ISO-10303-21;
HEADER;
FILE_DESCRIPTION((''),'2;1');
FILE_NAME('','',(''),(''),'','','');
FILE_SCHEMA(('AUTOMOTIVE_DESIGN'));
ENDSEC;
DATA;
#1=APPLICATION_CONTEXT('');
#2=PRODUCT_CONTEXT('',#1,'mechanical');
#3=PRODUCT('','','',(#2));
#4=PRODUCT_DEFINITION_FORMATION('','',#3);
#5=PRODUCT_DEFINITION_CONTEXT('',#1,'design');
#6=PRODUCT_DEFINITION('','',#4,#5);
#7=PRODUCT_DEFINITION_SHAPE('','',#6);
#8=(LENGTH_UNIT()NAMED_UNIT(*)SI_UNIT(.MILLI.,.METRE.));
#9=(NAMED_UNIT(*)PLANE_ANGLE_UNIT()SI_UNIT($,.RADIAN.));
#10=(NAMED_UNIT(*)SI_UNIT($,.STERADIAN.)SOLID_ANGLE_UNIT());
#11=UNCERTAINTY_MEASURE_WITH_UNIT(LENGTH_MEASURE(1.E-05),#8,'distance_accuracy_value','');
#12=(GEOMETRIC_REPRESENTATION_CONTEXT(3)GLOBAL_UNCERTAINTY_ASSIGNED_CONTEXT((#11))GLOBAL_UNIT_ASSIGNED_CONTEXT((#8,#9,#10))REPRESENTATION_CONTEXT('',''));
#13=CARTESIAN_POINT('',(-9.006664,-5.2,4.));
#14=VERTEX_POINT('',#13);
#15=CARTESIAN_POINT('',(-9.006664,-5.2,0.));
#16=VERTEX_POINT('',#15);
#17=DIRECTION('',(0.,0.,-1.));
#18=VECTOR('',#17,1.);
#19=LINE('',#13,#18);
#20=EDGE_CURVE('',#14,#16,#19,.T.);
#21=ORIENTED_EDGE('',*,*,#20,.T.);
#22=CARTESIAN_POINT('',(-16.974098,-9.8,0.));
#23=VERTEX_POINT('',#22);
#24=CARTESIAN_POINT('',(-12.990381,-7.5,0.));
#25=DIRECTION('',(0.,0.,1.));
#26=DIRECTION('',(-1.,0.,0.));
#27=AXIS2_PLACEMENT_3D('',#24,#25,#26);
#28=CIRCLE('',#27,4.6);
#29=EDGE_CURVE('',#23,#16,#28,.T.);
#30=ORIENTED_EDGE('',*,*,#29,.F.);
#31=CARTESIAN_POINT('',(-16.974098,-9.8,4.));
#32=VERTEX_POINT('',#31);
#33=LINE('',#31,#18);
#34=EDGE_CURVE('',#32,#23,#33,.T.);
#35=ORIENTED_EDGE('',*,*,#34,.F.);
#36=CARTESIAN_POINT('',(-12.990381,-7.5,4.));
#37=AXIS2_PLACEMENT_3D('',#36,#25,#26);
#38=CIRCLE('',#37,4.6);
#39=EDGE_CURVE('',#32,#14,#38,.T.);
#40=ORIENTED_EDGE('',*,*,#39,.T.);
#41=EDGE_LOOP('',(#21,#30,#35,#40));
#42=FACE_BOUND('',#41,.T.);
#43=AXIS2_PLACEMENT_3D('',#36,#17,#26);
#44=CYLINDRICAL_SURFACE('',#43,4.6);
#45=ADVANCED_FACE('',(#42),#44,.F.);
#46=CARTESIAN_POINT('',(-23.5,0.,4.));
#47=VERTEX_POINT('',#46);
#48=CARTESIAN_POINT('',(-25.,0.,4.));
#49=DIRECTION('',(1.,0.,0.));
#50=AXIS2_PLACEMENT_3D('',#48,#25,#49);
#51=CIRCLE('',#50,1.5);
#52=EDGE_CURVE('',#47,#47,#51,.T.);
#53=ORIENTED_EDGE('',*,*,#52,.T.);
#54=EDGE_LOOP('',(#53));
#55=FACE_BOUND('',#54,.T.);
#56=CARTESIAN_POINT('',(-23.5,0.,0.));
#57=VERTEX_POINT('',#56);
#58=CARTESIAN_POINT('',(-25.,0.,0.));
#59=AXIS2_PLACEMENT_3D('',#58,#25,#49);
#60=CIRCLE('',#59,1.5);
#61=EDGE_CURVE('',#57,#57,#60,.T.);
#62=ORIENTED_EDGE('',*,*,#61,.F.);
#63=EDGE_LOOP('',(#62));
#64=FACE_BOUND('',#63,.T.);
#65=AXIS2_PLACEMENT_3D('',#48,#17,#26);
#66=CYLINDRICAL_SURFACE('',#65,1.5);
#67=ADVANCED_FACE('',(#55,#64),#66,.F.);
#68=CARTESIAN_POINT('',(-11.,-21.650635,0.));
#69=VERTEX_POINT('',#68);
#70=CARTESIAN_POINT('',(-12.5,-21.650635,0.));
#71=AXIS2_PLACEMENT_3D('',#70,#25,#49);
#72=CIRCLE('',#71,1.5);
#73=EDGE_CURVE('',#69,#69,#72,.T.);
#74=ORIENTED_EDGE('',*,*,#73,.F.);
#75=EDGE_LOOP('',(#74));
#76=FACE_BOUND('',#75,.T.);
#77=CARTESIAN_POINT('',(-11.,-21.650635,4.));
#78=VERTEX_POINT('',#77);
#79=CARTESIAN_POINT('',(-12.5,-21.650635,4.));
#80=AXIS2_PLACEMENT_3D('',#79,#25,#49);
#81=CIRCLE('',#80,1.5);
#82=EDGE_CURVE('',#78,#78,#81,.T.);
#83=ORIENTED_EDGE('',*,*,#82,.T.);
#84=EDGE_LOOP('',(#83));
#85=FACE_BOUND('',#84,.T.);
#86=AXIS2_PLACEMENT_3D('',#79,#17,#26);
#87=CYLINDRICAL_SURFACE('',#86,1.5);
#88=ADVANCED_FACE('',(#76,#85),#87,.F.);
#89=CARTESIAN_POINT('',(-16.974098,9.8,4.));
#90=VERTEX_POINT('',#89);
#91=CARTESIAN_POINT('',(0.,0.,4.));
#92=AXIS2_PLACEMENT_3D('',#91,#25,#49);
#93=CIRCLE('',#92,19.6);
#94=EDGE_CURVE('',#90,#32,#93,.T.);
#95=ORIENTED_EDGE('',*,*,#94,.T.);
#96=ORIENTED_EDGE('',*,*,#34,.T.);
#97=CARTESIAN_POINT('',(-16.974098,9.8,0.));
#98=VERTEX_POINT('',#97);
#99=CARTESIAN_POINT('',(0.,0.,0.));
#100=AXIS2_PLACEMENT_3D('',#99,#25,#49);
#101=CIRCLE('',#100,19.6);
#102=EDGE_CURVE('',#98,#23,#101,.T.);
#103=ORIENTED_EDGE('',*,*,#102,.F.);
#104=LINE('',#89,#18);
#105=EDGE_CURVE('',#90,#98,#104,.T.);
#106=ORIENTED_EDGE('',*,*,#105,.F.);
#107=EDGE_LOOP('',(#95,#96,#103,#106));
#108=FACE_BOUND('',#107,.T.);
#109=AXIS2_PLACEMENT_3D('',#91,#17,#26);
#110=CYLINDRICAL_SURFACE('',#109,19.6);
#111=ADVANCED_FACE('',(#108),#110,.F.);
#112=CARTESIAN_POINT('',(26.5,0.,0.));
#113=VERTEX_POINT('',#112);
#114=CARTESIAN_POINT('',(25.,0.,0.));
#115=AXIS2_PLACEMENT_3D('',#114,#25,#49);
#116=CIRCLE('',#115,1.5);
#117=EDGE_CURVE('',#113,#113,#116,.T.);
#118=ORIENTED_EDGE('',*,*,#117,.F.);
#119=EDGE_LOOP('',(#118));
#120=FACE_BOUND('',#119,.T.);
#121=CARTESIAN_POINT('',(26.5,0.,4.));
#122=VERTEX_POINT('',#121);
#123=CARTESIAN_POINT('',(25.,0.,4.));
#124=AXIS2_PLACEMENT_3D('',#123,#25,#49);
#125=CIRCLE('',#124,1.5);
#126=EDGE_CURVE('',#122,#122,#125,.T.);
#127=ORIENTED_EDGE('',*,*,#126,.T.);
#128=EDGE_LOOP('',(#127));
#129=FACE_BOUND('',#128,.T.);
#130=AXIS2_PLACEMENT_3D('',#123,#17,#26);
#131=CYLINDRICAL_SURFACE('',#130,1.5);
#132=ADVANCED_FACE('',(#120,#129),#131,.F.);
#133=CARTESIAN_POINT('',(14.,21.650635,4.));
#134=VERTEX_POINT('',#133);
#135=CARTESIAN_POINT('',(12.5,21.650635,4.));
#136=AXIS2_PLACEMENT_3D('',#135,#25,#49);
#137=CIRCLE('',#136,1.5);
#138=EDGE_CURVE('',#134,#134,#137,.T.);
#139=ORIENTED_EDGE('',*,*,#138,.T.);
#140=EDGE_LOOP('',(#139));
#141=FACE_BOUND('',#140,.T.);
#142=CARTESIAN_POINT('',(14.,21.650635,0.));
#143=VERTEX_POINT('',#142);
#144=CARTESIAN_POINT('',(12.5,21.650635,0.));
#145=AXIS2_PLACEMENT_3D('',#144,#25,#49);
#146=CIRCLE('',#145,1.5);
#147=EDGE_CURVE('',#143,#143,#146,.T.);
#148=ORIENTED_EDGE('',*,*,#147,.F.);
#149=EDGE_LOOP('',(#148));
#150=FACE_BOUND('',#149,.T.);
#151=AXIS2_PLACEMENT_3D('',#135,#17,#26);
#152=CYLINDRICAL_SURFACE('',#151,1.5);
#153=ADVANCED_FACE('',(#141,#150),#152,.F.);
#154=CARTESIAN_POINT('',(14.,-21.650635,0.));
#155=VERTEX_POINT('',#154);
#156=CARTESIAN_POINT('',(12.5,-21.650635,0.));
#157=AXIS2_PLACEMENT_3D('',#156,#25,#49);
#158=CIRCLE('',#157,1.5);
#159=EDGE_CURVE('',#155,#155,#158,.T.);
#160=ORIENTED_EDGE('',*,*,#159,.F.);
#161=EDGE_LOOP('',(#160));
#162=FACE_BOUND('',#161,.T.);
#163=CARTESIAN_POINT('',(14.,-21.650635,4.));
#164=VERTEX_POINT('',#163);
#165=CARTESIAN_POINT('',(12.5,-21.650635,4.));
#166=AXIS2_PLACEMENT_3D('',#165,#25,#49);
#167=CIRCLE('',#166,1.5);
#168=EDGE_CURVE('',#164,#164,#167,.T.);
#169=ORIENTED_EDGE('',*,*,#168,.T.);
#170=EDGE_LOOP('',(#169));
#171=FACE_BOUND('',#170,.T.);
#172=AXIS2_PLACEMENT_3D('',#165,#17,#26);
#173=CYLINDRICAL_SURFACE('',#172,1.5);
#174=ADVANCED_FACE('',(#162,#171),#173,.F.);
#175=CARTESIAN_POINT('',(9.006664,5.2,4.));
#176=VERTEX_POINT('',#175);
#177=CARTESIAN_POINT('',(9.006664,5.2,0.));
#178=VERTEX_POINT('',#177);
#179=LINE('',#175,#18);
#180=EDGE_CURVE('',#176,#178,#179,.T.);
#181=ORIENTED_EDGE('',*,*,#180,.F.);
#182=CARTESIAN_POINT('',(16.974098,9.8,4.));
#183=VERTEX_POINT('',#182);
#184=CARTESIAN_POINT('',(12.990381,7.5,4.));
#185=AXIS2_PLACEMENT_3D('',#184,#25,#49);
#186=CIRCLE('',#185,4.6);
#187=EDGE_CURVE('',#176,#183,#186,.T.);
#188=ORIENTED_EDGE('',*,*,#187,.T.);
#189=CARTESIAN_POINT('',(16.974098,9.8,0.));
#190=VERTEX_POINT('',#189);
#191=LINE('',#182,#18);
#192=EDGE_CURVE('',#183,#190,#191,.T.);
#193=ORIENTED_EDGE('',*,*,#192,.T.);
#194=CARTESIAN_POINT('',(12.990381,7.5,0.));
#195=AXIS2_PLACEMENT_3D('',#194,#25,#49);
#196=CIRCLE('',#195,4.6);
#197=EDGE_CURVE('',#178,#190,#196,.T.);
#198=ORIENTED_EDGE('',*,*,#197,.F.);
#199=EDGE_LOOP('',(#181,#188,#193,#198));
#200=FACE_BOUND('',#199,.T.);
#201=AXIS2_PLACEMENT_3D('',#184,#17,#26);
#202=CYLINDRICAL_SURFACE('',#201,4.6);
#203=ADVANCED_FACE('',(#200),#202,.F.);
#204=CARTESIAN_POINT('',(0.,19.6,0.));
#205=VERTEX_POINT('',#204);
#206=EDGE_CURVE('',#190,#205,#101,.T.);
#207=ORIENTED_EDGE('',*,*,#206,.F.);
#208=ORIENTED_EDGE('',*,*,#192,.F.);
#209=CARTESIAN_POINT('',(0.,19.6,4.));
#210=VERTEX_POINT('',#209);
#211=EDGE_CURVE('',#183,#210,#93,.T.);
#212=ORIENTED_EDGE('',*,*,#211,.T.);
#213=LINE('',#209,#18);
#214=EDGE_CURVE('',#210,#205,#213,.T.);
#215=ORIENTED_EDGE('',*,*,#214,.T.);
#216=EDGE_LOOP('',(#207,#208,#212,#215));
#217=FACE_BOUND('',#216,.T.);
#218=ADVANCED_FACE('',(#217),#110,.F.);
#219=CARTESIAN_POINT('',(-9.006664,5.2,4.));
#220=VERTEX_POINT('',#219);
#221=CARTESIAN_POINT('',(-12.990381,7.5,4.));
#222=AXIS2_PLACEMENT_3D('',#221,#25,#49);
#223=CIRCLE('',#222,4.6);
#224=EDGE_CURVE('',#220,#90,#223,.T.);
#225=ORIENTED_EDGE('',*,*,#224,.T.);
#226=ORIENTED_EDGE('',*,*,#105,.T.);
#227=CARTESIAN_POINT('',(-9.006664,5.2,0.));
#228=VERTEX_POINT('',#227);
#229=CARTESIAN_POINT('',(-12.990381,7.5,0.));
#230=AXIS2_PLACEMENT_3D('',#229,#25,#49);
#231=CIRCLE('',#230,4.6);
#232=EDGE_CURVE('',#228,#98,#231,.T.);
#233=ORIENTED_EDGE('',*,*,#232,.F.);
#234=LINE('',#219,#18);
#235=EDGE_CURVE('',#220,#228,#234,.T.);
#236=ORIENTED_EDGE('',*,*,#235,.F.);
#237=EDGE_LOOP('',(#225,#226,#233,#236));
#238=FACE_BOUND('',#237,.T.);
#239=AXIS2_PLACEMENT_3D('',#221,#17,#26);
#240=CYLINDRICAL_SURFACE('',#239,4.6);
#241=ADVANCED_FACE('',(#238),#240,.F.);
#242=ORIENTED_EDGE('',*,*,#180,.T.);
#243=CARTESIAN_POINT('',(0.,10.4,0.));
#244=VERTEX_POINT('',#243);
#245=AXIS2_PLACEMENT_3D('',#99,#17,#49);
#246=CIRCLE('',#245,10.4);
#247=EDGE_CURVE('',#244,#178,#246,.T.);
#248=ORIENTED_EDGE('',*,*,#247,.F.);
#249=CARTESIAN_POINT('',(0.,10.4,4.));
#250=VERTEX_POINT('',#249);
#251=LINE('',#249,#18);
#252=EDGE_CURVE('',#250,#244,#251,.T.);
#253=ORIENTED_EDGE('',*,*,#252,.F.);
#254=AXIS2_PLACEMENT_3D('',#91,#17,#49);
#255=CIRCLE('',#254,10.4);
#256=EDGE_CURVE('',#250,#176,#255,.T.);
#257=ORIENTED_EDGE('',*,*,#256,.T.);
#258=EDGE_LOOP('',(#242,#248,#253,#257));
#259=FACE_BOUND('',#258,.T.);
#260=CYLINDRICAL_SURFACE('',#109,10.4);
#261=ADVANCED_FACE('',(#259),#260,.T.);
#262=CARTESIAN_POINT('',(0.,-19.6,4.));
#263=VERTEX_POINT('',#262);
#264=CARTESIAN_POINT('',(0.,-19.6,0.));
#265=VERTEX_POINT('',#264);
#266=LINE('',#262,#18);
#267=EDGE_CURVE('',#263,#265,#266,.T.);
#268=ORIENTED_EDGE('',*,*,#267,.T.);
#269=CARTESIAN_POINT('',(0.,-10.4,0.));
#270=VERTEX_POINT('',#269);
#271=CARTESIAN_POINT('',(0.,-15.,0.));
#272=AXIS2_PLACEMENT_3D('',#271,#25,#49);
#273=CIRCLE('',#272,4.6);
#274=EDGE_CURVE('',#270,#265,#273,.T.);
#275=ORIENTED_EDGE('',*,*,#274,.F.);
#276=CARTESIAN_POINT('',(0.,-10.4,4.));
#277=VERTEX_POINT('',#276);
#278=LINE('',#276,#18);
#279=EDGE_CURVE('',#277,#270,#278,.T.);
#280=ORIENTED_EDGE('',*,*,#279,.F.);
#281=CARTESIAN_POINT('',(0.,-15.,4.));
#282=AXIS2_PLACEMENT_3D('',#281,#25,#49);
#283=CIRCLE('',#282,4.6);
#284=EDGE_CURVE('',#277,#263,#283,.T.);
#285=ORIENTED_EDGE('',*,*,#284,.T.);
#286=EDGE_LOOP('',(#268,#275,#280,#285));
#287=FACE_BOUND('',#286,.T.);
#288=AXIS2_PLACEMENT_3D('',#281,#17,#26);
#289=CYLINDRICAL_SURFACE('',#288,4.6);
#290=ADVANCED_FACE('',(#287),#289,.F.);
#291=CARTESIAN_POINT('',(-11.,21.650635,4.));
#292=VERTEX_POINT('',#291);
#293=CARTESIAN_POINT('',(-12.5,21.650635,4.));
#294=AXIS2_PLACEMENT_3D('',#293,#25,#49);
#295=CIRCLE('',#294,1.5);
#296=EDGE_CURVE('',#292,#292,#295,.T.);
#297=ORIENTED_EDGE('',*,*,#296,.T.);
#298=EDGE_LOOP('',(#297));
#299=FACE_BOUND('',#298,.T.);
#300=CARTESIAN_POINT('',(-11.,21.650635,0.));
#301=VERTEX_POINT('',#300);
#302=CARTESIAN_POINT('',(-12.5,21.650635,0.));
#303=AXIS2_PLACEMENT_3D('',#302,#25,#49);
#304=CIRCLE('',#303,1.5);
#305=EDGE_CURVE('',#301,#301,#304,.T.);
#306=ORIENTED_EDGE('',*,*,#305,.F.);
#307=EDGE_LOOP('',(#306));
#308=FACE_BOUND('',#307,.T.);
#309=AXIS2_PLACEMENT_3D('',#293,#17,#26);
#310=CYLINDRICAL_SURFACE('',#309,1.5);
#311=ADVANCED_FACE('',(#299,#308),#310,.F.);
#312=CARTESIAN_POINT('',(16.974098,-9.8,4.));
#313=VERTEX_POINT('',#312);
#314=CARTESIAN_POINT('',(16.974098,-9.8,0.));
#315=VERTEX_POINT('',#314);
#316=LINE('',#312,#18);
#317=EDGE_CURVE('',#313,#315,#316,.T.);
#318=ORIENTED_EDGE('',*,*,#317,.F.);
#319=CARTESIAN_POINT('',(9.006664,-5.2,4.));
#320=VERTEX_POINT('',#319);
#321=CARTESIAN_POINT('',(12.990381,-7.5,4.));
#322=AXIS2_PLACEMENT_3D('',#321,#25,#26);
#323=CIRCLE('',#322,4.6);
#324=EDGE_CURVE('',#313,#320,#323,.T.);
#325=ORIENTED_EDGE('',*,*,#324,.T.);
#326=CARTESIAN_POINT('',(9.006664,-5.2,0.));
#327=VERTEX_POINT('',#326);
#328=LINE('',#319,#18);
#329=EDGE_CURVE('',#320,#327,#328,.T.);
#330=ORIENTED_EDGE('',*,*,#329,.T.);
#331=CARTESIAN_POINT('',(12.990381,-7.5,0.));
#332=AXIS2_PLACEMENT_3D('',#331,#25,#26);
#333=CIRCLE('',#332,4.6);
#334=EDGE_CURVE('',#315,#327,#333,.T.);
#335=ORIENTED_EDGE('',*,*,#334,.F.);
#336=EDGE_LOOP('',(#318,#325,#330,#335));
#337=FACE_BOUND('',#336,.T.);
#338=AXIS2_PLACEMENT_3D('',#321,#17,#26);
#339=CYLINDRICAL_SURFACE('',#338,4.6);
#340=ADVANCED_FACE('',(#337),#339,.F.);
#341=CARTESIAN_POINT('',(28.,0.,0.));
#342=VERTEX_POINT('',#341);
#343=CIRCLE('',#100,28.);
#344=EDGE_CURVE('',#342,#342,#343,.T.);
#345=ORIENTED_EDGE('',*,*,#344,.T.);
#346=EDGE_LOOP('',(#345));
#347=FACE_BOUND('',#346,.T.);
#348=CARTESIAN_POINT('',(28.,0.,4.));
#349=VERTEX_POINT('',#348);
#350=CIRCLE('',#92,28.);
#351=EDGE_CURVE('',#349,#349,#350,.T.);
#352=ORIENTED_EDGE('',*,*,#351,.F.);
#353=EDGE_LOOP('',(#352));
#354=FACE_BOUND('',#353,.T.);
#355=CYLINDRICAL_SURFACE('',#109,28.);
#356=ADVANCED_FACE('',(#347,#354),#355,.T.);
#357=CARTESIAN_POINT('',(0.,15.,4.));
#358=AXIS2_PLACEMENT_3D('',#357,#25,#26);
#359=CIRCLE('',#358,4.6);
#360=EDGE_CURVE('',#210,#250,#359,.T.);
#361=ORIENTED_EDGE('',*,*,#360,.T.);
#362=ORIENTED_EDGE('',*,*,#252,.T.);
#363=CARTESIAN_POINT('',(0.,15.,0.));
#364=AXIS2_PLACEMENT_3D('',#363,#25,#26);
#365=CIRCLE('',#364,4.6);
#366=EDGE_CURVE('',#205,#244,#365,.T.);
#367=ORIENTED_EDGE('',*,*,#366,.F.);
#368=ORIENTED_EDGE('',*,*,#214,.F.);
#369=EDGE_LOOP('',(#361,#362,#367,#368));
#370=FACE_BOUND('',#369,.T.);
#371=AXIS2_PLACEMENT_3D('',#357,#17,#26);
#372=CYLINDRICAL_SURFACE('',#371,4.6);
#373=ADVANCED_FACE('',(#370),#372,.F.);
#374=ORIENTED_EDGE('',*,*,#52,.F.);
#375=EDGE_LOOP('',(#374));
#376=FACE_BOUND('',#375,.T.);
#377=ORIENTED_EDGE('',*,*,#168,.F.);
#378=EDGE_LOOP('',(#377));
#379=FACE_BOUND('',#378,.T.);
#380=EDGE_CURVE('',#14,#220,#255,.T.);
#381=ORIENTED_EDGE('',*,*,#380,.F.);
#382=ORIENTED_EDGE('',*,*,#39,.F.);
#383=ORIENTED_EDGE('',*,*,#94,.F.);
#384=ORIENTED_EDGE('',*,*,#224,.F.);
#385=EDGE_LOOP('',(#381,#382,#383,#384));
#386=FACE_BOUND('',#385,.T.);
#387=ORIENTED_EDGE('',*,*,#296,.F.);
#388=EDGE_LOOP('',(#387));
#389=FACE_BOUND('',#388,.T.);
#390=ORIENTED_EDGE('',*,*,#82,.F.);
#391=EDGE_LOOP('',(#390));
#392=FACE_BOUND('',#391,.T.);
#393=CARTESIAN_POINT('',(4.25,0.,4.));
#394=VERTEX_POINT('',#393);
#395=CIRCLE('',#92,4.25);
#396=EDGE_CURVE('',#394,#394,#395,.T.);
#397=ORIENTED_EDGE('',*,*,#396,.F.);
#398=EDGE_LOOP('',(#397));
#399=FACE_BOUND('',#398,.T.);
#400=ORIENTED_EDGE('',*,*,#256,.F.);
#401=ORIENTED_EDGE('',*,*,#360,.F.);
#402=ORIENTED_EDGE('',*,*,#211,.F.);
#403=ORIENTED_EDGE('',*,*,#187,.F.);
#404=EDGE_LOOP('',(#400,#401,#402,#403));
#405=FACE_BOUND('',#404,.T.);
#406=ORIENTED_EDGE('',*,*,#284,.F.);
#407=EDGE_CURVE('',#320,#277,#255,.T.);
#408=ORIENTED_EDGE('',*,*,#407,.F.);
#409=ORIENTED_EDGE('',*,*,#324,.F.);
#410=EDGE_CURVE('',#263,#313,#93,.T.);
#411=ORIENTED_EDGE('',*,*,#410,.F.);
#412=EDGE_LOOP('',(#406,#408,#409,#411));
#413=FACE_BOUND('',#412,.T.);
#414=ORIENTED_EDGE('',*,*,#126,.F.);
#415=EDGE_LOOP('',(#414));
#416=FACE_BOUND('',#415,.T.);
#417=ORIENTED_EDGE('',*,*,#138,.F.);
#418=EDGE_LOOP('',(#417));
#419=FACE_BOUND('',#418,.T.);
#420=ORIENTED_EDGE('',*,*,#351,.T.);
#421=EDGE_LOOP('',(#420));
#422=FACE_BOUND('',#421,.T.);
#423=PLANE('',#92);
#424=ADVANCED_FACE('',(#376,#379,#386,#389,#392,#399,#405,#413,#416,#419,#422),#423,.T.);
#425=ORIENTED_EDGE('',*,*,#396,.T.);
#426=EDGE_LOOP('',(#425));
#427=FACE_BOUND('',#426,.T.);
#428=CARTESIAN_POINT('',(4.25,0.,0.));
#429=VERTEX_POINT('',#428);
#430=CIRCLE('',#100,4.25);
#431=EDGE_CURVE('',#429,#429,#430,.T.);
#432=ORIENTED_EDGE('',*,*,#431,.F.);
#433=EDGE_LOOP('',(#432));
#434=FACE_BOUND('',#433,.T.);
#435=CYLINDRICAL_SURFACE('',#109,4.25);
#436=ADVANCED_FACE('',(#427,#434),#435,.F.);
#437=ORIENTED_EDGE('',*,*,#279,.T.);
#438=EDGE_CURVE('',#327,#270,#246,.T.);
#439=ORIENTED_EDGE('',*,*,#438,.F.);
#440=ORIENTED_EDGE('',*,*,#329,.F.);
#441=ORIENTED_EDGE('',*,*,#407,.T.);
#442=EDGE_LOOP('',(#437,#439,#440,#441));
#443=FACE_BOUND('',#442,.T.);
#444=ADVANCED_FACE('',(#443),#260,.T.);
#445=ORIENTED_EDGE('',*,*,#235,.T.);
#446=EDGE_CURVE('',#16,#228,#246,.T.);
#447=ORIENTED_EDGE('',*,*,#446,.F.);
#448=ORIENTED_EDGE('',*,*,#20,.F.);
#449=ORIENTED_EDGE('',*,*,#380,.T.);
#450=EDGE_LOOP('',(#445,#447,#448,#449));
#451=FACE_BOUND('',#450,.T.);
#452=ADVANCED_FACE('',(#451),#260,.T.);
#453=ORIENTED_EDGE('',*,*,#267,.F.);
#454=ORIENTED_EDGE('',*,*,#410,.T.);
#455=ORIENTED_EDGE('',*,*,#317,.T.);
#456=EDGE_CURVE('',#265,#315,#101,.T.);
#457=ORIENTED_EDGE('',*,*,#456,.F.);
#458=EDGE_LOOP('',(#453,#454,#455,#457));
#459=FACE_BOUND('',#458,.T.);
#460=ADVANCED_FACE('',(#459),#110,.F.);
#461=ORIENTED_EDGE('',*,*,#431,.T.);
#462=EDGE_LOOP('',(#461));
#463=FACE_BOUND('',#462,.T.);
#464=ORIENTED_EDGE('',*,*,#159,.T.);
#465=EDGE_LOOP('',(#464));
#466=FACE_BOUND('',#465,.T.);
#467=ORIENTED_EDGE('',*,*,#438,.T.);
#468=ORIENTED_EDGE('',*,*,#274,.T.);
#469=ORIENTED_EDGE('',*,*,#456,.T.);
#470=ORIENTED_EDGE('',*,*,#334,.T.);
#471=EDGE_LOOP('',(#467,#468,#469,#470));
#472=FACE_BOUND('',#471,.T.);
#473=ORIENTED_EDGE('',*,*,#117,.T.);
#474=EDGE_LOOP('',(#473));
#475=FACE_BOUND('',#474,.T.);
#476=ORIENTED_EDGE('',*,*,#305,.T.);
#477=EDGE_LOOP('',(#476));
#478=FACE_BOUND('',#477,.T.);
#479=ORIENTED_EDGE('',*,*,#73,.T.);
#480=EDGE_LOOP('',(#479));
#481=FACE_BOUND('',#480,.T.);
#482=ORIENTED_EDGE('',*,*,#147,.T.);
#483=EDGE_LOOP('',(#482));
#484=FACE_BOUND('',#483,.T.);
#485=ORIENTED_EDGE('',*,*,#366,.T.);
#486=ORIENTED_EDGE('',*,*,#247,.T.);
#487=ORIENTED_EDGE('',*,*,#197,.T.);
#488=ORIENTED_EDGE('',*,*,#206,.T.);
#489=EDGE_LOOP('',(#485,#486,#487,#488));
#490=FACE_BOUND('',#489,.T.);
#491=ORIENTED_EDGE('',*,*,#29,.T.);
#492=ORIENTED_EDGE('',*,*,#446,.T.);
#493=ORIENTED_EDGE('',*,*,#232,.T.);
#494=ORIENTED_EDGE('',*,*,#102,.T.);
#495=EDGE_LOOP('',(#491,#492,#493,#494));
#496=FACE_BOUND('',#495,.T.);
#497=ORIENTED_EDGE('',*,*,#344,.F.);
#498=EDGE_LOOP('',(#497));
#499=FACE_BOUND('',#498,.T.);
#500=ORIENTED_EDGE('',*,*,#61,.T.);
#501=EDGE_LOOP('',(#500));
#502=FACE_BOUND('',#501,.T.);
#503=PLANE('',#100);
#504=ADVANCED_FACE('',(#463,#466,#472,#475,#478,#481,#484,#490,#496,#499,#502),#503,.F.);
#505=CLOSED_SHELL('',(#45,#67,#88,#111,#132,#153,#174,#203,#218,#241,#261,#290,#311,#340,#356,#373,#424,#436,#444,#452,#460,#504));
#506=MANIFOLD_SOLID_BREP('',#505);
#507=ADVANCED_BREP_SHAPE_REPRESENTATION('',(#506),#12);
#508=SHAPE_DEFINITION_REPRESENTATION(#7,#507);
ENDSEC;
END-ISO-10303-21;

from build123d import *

# Parameters (mm, degrees)
SKETCH_1_R      = 28
SKETCH_1_R_2    = 4.25
SKETCH_1_R_3    = 1.5
EXTRUDE_1_DEPTH = 4


with BuildPart() as part:
    # 草图1 → 凸台-拉伸1 (new body)
    with BuildSketch(Plane.XY):
        Circle(SKETCH_1_R)
        Circle(SKETCH_1_R_2, mode=Mode.SUBTRACT)
        with Locations((12.5, 21.650635095)):
            Circle(SKETCH_1_R_3, mode=Mode.SUBTRACT)
        with Locations((25, 0)):
            Circle(SKETCH_1_R_3, mode=Mode.SUBTRACT)
        with Locations((12.5, -21.650635095)):
            Circle(SKETCH_1_R_3, mode=Mode.SUBTRACT)
        with Locations((-12.5, -21.650635095)):
            Circle(SKETCH_1_R_3, mode=Mode.SUBTRACT)
        with Locations((-25, 0)):
            Circle(SKETCH_1_R_3, mode=Mode.SUBTRACT)
        with Locations((-12.5, 21.650635095)):
            Circle(SKETCH_1_R_3, mode=Mode.SUBTRACT)
        with BuildLine():
            ThreePointArc((9.006664199, -5.2), (15.290381057, -3.516283143), (16.974097914, -9.8))
            ThreePointArc((16.974097914, -9.8), (9.8, -16.974097914), (0, -19.6))
            ThreePointArc((0, -19.6), (-4.6, -15), (0, -10.4))
            ThreePointArc((0, -10.4), (5.2, -9.006664199), (9.006664199, -5.2))
        make_face(mode=Mode.SUBTRACT)
        with BuildLine():
            ThreePointArc((-9.006664199, 5.2), (-10.4, 0), (-9.006664199, -5.2))
            ThreePointArc((-9.006664199, -5.2), (-10.690381057, -11.483716857), (-16.974097914, -9.8))
            ThreePointArc((-16.974097914, -9.8), (-19.6, 0), (-16.974097914, 9.8))
            ThreePointArc((-16.974097914, 9.8), (-10.690381057, 11.483716857), (-9.006664199, 5.2))
        make_face(mode=Mode.SUBTRACT)
        with BuildLine():
            ThreePointArc((9.006664199, 5.2), (5.2, 9.006664199), (0, 10.4))
            ThreePointArc((0, 10.4), (-4.6, 15), (0, 19.6))
            ThreePointArc((0, 19.6), (9.8, 16.974097914), (16.974097914, 9.8))
            ThreePointArc((16.974097914, 9.8), (15.290381057, 3.516283143), (9.006664199, 5.2))
        make_face(mode=Mode.SUBTRACT)
    extrude(amount=EXTRUDE_1_DEPTH)


solid = part.part
